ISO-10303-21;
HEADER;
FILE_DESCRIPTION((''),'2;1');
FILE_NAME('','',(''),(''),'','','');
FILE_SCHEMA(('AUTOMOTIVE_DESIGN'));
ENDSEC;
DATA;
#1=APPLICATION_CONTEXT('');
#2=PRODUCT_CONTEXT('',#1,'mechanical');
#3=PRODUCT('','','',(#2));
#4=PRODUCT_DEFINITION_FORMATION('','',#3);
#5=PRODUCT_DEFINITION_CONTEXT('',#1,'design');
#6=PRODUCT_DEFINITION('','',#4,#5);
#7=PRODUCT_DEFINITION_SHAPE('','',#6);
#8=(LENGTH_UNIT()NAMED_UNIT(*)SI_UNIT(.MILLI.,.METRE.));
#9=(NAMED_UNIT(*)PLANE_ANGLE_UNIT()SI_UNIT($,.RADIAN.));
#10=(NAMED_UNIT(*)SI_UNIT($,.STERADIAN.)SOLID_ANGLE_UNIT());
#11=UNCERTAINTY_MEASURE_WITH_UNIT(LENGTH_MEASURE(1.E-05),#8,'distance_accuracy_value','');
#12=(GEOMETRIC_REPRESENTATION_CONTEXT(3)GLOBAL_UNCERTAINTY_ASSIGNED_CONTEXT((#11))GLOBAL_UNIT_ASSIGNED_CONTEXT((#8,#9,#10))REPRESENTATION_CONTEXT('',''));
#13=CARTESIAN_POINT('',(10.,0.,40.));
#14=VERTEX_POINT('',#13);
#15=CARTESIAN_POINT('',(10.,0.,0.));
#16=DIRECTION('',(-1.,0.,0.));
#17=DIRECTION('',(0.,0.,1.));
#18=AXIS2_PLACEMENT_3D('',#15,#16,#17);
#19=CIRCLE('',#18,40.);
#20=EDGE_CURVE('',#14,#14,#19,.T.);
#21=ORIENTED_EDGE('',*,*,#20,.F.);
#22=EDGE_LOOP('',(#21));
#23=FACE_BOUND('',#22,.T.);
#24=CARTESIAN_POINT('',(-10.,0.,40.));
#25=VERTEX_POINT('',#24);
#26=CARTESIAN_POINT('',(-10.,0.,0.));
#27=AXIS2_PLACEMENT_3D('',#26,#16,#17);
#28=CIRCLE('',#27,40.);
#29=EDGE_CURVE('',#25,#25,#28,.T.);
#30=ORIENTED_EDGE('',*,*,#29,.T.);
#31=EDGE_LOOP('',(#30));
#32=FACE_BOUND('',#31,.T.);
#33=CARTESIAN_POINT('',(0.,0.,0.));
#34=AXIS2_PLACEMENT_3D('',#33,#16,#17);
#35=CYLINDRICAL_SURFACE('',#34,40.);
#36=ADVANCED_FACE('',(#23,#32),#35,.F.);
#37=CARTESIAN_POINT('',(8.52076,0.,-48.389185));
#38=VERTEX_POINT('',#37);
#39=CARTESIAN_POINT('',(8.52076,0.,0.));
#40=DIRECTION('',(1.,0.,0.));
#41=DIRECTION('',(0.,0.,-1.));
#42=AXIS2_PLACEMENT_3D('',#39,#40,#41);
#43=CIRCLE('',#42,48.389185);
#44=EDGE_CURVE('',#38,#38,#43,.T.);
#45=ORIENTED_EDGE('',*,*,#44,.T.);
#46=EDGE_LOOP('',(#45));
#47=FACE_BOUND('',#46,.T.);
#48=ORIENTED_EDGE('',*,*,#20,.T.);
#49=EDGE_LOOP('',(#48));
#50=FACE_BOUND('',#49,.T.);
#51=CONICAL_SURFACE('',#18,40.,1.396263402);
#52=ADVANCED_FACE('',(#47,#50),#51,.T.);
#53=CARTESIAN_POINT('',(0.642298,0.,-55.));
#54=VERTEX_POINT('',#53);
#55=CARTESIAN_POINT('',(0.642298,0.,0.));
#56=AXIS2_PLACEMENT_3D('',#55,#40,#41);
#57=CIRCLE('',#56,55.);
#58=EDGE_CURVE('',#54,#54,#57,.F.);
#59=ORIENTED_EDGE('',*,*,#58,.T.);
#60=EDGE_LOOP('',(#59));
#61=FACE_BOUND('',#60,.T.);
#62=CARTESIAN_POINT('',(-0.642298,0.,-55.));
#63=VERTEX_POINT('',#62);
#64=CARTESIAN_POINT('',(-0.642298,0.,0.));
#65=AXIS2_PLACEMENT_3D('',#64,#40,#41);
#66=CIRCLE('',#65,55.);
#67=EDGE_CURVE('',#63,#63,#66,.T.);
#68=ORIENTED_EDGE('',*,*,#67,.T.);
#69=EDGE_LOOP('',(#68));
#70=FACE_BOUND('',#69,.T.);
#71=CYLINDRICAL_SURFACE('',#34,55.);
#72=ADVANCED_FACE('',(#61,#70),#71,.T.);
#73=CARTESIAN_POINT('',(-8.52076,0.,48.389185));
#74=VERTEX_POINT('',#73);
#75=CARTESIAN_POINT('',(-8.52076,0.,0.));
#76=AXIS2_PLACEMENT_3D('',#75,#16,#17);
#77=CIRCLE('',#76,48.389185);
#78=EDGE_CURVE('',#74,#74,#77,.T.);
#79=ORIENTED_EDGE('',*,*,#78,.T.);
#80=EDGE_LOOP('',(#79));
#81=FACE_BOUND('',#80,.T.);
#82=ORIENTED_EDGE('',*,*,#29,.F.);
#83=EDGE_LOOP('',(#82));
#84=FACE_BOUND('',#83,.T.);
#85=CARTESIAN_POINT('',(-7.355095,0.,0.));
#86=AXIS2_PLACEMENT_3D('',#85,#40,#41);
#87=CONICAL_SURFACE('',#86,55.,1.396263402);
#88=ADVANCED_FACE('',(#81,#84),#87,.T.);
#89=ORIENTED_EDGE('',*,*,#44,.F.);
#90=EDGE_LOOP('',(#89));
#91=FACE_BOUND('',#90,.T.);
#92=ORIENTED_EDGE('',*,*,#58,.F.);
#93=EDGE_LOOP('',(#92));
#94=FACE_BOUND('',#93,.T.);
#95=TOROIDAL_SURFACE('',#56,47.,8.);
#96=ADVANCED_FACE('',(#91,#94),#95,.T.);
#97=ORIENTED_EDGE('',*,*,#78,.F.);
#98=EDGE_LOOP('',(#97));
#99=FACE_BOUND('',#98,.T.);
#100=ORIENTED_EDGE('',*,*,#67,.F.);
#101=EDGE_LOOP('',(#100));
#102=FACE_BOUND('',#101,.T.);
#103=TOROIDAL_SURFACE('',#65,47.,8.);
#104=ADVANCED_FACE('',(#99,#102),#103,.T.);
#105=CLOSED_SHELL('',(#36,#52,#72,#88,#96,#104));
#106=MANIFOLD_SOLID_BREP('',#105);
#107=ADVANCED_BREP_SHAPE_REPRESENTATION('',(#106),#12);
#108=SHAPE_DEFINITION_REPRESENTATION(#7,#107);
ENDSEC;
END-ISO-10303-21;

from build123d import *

# Parameters (mm, degrees)
FILLET1_R = 8


with BuildPart() as part:
    # Sketch1 → Revolve1 (revolve)
    with BuildSketch(Plane(origin=(0, 0, 0), x_dir=(1, 0, 0), z_dir=(0, 1, 0))):
        Polygon((-10, 40), (10, 40), (7.355095289, 55), (-7.355095289, 55), align=None)
    revolve(axis=Axis((0, 0, 0), (1, 0, 0)))

    # Fillet1
    fillet1_edges = [part.edges().sort_by_distance(p)[0] for p in [
        (-7.355095289, 0, 55),
        (7.355095289, 0, 55),
    ]]
    fillet(fillet1_edges, radius=FILLET1_R)


solid = part.part
